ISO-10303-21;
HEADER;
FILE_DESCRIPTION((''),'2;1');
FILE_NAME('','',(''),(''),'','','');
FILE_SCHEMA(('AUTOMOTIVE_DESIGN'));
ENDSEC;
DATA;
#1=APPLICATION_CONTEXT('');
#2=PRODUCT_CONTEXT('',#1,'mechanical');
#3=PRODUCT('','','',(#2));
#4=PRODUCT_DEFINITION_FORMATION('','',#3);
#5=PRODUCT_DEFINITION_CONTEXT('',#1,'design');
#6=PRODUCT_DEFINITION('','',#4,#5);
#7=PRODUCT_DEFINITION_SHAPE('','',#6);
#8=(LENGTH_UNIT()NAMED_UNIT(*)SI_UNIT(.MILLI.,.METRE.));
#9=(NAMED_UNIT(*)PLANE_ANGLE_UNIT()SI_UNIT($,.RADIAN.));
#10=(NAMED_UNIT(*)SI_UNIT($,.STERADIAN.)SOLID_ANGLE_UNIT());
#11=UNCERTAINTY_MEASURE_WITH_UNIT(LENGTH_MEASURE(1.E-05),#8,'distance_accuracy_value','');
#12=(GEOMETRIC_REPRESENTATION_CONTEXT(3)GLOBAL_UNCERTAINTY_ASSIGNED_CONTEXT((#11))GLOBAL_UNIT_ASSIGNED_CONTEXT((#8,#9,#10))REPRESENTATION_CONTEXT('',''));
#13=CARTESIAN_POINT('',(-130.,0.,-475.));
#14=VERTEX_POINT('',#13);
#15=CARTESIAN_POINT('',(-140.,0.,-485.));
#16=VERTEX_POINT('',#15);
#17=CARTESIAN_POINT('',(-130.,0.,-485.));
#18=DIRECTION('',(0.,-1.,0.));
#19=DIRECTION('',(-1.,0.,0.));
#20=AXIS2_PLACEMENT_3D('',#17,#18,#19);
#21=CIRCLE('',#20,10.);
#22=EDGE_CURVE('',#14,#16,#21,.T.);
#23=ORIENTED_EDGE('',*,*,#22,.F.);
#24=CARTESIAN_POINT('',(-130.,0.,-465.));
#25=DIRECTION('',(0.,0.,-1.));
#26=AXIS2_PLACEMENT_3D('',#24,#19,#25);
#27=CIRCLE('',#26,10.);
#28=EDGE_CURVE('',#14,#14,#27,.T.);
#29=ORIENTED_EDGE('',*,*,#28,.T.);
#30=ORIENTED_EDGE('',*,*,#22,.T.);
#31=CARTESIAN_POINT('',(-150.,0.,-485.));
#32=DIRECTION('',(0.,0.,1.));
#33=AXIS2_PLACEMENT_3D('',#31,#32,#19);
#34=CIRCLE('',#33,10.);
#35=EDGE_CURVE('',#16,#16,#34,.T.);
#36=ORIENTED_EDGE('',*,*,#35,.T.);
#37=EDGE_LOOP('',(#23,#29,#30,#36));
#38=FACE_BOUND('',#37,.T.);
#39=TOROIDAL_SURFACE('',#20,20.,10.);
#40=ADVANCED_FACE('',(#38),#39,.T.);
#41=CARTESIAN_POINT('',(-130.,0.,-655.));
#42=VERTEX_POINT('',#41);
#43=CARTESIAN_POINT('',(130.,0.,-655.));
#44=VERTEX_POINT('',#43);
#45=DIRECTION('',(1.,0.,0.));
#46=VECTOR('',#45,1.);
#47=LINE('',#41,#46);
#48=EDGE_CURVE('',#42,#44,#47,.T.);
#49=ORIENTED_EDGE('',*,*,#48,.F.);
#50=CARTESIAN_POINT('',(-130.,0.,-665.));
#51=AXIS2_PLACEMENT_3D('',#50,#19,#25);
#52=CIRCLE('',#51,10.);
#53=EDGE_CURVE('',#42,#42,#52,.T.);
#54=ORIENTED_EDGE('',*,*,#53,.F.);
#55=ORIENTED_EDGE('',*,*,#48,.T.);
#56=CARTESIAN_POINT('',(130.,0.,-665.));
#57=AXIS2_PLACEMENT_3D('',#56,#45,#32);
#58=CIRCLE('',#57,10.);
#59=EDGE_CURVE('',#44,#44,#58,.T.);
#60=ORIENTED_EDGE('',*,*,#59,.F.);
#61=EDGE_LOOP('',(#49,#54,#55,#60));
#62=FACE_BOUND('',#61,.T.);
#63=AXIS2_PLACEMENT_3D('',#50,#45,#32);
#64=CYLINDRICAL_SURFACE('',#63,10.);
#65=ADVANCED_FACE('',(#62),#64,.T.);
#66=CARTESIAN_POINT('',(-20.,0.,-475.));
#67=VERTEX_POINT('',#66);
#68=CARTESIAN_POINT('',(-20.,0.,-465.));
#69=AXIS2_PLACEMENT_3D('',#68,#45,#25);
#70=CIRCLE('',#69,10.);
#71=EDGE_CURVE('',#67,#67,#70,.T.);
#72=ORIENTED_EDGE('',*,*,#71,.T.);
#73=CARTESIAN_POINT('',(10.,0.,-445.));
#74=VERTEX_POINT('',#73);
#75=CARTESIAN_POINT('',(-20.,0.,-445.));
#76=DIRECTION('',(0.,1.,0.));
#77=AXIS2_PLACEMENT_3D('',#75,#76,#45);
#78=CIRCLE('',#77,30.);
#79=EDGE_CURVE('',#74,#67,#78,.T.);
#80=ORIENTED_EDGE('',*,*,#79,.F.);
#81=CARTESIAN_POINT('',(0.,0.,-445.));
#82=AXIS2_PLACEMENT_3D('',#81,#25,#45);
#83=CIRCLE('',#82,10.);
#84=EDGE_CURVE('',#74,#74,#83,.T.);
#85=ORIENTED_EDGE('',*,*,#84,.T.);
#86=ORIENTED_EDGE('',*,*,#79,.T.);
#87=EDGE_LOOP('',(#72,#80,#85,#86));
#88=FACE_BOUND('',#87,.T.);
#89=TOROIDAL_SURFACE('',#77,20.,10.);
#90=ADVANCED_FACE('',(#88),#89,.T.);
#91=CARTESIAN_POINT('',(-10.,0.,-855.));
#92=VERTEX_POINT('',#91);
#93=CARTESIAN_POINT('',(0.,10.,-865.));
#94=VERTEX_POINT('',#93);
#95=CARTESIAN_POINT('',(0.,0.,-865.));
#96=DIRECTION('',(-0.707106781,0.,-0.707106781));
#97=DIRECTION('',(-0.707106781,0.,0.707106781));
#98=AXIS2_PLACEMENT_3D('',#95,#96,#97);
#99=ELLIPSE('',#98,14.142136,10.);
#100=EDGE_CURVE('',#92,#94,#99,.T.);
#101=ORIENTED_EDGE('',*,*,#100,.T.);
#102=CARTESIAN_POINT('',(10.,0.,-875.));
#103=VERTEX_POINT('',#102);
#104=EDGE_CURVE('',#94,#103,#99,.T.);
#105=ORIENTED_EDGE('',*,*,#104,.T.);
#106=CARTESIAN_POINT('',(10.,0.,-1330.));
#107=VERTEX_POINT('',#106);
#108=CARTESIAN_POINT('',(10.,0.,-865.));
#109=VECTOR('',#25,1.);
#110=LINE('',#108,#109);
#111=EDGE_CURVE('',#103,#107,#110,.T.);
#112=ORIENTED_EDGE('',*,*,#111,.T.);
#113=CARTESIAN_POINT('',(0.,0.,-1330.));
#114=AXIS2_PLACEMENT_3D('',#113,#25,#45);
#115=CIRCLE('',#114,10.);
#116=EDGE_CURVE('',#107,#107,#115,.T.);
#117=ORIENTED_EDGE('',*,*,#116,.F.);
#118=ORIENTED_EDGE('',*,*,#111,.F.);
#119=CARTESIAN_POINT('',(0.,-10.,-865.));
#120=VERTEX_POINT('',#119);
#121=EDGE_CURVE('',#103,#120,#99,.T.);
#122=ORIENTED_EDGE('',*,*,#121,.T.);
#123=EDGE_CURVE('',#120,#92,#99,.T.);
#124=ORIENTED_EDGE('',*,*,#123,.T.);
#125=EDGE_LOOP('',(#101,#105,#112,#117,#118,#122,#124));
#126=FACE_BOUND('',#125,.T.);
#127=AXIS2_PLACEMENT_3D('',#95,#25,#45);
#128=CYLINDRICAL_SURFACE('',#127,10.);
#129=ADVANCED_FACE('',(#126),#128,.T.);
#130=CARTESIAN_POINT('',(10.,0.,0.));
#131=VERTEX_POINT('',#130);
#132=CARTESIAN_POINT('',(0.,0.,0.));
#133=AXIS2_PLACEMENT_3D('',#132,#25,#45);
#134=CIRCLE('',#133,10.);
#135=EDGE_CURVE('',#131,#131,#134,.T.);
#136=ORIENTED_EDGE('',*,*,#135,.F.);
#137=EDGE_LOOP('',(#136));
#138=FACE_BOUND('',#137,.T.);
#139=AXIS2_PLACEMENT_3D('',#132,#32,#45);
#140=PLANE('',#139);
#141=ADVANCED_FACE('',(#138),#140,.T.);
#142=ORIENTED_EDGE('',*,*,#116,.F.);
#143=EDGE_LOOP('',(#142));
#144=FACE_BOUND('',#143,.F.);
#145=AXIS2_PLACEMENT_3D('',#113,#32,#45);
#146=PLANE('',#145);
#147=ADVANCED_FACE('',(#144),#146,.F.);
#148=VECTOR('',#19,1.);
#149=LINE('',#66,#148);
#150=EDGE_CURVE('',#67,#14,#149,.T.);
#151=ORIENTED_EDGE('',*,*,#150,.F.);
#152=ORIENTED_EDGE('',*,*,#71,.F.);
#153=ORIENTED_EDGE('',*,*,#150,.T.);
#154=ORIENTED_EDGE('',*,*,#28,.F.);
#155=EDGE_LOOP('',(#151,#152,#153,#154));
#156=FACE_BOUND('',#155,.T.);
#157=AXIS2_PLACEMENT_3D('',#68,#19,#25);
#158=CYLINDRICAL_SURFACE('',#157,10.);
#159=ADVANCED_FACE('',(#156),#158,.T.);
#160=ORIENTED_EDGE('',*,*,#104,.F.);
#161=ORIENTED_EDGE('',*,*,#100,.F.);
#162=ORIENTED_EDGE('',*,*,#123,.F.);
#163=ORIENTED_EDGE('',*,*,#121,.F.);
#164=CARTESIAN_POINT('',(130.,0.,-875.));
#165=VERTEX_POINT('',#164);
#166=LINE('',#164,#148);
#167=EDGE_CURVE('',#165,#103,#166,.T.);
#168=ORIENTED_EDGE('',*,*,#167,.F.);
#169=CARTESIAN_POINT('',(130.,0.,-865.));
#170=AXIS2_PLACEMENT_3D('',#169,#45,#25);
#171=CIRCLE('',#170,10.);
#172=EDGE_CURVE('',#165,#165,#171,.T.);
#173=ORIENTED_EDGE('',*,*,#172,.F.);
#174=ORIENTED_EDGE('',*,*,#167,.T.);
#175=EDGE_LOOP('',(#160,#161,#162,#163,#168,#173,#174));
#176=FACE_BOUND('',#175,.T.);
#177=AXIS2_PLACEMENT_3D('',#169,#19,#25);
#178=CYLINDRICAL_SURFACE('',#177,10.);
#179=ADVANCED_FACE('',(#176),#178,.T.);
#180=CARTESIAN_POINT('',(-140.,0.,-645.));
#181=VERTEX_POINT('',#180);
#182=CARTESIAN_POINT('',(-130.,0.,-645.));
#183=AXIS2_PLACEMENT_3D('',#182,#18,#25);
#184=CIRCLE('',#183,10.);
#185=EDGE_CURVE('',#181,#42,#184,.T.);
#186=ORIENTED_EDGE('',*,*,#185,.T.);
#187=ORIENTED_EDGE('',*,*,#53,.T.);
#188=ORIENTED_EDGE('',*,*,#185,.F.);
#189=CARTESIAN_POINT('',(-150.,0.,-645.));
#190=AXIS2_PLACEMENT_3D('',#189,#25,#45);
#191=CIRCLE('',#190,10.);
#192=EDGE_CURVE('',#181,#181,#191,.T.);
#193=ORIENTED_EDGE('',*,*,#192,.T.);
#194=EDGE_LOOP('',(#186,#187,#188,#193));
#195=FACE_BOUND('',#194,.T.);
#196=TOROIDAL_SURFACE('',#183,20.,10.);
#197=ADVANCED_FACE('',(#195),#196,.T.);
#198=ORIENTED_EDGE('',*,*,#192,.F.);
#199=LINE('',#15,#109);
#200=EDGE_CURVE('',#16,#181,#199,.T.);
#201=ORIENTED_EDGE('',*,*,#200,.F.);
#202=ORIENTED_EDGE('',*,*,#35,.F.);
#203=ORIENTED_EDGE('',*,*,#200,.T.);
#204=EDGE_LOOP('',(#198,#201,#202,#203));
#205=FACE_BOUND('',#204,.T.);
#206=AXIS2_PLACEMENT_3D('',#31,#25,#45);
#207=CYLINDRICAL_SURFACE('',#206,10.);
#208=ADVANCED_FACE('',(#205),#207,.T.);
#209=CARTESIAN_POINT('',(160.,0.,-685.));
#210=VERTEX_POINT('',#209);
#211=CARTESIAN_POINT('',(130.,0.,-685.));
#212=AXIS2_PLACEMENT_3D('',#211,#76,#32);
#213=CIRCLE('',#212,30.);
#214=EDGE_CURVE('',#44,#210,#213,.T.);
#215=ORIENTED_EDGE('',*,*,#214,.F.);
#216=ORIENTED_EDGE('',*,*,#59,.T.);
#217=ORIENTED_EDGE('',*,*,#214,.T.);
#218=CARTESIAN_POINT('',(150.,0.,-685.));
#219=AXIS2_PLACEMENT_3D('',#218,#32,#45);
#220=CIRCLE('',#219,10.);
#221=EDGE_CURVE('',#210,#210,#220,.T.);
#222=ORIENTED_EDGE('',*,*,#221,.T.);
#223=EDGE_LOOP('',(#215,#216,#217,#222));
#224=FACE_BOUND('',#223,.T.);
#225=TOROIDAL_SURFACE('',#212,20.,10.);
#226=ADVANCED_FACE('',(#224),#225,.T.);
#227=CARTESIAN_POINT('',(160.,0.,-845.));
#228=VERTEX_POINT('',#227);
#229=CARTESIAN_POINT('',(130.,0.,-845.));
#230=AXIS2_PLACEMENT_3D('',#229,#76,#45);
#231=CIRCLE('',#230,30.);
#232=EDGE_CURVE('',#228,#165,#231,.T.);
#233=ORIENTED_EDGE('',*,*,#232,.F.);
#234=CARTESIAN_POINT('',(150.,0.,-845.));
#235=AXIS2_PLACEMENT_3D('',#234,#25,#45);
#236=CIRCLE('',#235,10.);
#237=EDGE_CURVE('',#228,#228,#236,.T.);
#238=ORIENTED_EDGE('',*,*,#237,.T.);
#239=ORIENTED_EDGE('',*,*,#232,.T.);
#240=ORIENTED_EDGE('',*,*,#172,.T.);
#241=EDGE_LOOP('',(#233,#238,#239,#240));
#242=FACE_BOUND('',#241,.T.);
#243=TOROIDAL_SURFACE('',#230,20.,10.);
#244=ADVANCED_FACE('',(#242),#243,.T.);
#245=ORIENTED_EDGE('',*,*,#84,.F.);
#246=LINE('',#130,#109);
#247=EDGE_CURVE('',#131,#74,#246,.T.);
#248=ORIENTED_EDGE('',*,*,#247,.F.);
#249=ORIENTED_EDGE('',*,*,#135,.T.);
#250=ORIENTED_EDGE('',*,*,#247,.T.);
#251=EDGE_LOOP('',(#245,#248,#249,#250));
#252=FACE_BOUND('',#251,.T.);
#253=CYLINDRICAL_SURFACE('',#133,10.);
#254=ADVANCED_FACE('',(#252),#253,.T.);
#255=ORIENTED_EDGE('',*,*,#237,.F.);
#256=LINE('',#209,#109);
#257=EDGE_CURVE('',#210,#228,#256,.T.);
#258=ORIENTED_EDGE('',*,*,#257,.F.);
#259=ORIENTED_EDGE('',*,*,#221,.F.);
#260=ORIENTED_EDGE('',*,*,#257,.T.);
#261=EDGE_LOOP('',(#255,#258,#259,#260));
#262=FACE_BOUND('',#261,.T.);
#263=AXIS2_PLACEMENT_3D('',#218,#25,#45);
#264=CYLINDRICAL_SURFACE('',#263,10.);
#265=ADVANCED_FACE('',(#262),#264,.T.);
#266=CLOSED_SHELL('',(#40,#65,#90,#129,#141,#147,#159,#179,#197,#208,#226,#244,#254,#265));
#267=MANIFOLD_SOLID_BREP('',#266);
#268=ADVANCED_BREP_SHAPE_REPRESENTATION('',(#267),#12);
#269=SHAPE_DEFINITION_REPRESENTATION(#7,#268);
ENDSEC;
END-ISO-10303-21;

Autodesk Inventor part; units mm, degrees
ref_plane "YZ Plane" through (0, 0, 0) normal (1, 0, 0) x (0, 1, 0)
ref_plane "XZ Plane" through (0, 0, 0) normal (0, 1, 0) x (-1, 0, 0)
ref_plane "XY Plane" through (0, 0, 0) normal (0, 0, 1) x (1, 0, 0)
sketch "Skizze1" plane through (0, 0, 0) normal (0, 1, 0) x (-1, 0, 0)
  line L0 (0, 0) -> (0, -445)
  line L1 (20, -465) -> (130, -465)
  line L2 (150, -485) -> (150, -645)
  line L3 (130, -665) -> (-130, -665)
  line L4 (-150, -685) -> (-150, -845)
  line L5 (-130, -865) -> (0, -865)
  line L6 (0, -865) -> (0, -1330)
  arc A0 (150, -485) -> (130, -465) centre (130, -485) ccw
  arc A1 (130, -665) -> (150, -645) centre (130, -645) ccw
  arc A2 (0, -445) -> (20, -465) centre (20, -445) ccw
  arc A3 (-130, -665) -> (-150, -685) centre (-130, -685) ccw
  arc A4 (-150, -845) -> (-130, -865) centre (-130, -845) ccw
  point P0 (0, -465)
  point P1 (150, -465)
  point P2 (150, -665)
  point P3 (-150, -665)
  point P4 (-150, -865)
  dimension "lange1" = 465
  dimension "d1" = 150
  dimension "d2" = 200
  dimension "d3" = 300
  dimension "d4" = 200
  dimension "lange2" = 465
  dimension "d6" = 20
sketch "Skizze2" plane through (0, 0, 0) normal (0, 0, 1) x (1, 0, 0)
  circle A0 centre (0, 0) radius 10
  dimension "durchmesser" = 20
sweep "Sweeping1" add profiles "Skizze2" path "Skizze1"
properties part number "Trittstange" material "Edelstahl"
